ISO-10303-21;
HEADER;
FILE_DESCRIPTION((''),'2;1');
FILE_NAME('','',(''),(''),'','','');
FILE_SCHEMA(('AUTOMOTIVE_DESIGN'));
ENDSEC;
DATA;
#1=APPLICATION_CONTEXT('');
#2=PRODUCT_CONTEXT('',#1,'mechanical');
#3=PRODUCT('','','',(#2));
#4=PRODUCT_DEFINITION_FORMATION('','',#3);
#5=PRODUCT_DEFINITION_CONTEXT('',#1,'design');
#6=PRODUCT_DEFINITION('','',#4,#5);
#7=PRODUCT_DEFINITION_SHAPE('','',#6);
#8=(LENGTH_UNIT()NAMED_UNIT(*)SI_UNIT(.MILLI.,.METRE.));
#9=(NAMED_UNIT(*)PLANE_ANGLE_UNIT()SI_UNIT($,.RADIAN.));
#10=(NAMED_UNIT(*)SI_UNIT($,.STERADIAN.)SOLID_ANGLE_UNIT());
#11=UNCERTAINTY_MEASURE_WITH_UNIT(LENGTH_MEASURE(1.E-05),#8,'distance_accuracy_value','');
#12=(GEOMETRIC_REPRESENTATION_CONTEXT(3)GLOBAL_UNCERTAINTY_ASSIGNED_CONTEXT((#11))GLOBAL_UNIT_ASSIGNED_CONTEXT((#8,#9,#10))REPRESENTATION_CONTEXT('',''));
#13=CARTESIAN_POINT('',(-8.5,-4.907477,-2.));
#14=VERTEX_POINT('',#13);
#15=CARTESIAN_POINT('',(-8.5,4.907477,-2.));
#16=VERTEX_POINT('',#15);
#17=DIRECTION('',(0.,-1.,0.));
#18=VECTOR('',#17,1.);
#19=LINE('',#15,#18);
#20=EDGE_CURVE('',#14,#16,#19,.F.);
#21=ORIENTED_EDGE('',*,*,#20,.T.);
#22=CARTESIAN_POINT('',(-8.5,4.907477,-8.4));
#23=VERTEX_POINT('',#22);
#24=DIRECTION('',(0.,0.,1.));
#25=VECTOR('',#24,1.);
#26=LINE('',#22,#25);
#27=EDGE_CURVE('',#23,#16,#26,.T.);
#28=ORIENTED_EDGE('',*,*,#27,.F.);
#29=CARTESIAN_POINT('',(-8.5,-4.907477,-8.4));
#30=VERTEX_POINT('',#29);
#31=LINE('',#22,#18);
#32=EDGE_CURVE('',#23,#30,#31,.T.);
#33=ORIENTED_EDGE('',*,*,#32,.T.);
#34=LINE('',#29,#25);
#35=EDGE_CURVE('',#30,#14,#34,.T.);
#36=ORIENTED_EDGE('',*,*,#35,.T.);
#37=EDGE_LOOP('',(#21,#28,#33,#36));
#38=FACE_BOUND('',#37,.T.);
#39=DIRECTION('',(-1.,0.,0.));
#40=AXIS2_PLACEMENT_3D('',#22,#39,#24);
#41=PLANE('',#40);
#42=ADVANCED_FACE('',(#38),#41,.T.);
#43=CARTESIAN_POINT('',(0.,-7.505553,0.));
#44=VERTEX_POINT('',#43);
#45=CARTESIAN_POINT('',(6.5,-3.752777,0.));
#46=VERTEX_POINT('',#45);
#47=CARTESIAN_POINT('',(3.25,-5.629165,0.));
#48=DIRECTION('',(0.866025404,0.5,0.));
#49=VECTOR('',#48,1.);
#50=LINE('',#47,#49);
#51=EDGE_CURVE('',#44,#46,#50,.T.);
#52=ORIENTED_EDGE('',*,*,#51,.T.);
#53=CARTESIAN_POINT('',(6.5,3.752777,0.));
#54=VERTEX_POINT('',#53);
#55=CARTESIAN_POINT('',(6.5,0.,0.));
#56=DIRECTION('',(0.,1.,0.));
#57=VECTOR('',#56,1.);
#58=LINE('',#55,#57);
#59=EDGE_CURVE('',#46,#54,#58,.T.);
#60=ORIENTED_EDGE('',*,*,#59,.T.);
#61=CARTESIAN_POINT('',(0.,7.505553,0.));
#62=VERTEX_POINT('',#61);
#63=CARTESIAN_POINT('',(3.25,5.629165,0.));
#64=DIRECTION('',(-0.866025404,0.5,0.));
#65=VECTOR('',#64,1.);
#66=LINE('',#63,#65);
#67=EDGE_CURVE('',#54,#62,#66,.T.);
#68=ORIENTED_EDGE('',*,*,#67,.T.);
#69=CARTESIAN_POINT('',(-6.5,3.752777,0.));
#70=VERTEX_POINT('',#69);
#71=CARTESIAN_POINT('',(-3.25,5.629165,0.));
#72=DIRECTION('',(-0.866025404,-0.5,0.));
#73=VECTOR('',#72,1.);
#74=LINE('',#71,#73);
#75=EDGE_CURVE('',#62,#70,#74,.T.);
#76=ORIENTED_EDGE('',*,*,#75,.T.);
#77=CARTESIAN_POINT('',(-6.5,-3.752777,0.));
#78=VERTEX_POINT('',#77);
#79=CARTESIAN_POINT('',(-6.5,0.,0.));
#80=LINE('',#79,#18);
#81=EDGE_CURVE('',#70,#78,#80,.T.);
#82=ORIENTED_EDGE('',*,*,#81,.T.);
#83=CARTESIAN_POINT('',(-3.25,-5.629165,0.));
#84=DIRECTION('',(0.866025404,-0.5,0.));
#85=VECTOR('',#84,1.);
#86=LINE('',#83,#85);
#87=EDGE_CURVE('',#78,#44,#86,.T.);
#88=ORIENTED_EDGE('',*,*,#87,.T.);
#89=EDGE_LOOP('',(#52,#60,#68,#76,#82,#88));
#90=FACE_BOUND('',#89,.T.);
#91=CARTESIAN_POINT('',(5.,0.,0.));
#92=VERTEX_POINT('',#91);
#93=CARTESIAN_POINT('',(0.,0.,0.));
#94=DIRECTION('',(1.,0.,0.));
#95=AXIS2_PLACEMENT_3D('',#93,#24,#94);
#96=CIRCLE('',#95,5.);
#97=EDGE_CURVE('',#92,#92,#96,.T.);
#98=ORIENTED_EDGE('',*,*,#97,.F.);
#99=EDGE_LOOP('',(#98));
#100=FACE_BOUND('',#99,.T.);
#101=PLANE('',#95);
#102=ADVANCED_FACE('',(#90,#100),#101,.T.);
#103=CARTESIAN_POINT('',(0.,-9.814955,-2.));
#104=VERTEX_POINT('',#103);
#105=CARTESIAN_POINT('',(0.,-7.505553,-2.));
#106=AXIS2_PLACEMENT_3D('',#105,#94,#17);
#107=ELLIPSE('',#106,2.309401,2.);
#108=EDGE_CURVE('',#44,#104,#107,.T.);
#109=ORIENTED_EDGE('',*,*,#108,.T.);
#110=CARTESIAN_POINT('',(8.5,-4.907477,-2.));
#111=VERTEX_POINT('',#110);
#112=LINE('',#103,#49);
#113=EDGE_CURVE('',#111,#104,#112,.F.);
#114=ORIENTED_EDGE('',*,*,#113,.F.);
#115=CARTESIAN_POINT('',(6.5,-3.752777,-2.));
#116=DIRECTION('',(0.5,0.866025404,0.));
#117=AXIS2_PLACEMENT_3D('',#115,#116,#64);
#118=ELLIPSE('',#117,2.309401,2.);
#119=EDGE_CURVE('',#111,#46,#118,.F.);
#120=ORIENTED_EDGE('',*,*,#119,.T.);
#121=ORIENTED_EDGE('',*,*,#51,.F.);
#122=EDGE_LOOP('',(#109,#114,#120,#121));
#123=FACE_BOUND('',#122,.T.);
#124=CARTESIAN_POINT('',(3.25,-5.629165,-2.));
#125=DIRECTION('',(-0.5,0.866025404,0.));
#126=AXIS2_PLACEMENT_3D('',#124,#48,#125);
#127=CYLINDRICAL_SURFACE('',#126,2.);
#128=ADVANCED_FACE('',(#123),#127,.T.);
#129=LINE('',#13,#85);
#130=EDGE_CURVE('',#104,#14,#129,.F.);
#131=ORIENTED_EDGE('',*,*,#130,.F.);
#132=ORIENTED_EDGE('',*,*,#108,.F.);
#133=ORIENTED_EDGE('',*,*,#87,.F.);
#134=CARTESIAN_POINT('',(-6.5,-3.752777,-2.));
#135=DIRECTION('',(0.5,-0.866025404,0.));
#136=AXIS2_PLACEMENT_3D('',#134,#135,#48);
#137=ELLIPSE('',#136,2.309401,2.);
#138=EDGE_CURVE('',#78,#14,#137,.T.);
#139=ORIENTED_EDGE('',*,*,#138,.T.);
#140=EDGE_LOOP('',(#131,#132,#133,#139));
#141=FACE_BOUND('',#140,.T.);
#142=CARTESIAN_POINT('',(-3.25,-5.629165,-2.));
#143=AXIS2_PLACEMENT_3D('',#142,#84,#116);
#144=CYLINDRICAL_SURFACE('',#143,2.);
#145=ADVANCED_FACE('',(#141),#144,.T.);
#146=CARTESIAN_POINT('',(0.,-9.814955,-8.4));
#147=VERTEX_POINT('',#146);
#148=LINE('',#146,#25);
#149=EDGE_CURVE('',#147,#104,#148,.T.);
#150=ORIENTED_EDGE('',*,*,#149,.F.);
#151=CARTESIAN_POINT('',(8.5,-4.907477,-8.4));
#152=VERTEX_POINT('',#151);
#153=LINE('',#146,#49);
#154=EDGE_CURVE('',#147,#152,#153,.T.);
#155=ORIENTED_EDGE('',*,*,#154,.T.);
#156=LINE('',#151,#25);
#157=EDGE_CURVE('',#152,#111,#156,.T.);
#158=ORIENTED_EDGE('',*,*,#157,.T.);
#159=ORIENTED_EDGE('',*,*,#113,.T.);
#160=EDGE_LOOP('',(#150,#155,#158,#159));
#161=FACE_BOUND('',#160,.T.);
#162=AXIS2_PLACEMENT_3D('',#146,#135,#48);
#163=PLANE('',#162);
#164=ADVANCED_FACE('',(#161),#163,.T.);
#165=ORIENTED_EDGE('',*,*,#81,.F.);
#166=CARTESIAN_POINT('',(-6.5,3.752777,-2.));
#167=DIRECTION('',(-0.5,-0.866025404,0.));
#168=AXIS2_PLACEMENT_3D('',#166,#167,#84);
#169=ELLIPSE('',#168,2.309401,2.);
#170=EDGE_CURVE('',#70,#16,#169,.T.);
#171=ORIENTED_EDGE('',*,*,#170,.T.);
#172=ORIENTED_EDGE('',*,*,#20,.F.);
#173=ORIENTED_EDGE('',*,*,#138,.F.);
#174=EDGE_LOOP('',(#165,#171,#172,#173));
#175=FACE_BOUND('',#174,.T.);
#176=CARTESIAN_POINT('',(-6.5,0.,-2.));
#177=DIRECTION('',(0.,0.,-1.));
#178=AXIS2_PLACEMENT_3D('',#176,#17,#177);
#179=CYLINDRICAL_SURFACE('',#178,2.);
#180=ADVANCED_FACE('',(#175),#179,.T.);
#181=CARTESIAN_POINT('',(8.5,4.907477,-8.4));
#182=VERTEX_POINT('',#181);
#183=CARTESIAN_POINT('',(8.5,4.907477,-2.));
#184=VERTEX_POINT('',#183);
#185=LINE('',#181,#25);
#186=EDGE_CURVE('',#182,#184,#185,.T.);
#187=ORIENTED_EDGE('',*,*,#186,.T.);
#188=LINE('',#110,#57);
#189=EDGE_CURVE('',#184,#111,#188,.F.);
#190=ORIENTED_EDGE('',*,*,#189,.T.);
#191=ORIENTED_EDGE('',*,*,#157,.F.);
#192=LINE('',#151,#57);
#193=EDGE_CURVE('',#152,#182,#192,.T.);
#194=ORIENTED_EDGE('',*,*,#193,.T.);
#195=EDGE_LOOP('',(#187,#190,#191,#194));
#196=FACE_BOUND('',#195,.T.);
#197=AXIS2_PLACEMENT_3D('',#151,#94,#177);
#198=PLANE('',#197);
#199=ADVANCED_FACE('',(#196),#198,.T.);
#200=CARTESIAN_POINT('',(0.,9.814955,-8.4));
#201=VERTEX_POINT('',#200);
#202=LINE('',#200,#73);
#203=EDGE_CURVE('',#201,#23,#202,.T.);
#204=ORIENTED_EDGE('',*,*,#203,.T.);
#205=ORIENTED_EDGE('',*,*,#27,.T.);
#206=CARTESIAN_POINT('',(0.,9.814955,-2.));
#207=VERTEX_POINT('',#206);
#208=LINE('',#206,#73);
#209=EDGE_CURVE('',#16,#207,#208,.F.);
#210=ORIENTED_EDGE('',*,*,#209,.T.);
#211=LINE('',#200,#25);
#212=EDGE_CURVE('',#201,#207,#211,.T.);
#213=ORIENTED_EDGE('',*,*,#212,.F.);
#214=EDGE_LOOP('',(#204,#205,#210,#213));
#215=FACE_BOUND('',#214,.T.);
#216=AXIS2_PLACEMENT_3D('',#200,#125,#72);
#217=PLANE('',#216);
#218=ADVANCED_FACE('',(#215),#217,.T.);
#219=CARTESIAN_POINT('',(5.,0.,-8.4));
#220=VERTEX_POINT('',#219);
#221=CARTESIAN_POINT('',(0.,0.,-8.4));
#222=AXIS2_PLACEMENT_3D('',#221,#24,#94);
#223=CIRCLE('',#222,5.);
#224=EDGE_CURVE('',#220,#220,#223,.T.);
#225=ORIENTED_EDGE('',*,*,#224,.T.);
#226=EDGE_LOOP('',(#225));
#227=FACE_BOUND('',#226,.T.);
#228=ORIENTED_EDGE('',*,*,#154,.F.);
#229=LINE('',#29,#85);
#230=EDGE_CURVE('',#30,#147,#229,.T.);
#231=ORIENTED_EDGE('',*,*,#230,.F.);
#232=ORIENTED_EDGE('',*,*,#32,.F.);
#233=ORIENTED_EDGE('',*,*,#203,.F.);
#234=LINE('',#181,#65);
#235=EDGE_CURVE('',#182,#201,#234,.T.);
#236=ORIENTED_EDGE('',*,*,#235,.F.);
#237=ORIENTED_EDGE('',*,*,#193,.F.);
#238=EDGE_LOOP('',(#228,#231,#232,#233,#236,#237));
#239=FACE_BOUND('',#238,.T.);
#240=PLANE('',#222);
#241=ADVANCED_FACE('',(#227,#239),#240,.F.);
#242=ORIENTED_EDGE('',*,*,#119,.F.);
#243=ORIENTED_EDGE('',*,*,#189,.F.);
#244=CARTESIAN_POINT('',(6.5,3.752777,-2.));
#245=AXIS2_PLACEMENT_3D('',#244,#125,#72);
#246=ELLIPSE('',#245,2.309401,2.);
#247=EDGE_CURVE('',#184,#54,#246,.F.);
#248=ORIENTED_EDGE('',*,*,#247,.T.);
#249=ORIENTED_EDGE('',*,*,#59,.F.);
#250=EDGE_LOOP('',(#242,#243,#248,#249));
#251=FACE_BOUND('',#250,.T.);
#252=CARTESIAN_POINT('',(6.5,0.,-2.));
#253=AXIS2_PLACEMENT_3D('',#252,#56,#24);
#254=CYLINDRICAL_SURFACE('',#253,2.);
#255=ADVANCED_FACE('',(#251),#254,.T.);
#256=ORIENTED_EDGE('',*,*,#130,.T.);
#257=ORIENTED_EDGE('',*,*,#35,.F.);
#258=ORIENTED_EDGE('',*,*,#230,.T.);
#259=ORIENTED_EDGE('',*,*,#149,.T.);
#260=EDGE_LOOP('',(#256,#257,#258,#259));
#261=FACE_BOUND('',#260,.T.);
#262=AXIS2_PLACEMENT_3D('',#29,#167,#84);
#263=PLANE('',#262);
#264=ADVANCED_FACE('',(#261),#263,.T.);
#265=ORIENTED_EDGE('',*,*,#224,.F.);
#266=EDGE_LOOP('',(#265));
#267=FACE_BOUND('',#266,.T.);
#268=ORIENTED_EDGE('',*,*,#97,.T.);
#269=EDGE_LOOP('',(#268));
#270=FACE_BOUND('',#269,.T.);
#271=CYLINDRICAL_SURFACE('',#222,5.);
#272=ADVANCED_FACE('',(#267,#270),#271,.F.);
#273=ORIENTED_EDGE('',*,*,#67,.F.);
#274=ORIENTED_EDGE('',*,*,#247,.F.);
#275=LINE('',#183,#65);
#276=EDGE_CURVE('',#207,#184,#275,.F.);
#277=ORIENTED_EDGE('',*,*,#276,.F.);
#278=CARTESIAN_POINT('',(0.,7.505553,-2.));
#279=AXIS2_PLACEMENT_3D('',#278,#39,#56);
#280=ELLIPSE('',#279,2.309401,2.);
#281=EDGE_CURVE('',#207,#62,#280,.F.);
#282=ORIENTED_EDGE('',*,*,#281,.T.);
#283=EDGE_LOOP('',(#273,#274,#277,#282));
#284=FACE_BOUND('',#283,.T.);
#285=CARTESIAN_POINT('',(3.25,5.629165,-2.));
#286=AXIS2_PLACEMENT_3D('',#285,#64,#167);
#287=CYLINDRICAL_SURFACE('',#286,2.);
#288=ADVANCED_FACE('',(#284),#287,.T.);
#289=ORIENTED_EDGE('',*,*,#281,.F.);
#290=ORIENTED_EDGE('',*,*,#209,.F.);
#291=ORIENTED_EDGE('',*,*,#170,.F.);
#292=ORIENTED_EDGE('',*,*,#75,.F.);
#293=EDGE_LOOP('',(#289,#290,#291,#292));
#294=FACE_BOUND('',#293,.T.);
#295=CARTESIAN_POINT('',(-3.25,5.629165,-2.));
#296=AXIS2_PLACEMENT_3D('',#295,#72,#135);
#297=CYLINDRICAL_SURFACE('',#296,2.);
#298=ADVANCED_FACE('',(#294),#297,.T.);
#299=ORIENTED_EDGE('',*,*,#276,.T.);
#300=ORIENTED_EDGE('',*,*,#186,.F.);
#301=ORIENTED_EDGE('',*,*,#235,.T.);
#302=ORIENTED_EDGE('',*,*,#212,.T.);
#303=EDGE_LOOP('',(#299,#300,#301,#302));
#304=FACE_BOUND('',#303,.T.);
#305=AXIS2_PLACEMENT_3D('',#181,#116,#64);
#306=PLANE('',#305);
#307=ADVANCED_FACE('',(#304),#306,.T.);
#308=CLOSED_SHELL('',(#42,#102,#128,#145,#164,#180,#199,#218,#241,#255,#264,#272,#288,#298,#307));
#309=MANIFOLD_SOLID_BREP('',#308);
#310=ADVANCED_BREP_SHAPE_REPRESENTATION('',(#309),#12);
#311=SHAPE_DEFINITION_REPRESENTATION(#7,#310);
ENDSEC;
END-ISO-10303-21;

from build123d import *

# Parameters (mm, degrees)
ESQUISSE1_R        = 5
BOSS_EXTRU_1_DEPTH = 8.4
CONG_2_R           = 2


with BuildPart() as part:
    # Esquisse1 → Boss.-Extru.1 (new body)
    with BuildSketch(Plane.XY):
        Polygon((8.5, 4.907477288), (0, 9.814954576), (-8.5, 4.907477288), (-8.5, -4.907477288), (0, -9.814954576), (8.5, -4.907477288), align=None)
        Circle(ESQUISSE1_R, mode=Mode.SUBTRACT)
    extrude(amount=-BOSS_EXTRU_1_DEPTH)

    # Congé2
    cong_2_edges = [part.edges().sort_by_distance(p)[0] for p in [
        (4.25, -7.361215932, 0),
        (-4.25, -7.361215932, 0),
        (-8.5, 0, 0),
        (-4.25, 7.361215932, 0),
        (4.25, 7.361215932, 0),
        (8.5, 0, 0),
    ]]
    fillet(cong_2_edges, radius=CONG_2_R)


solid = part.part
